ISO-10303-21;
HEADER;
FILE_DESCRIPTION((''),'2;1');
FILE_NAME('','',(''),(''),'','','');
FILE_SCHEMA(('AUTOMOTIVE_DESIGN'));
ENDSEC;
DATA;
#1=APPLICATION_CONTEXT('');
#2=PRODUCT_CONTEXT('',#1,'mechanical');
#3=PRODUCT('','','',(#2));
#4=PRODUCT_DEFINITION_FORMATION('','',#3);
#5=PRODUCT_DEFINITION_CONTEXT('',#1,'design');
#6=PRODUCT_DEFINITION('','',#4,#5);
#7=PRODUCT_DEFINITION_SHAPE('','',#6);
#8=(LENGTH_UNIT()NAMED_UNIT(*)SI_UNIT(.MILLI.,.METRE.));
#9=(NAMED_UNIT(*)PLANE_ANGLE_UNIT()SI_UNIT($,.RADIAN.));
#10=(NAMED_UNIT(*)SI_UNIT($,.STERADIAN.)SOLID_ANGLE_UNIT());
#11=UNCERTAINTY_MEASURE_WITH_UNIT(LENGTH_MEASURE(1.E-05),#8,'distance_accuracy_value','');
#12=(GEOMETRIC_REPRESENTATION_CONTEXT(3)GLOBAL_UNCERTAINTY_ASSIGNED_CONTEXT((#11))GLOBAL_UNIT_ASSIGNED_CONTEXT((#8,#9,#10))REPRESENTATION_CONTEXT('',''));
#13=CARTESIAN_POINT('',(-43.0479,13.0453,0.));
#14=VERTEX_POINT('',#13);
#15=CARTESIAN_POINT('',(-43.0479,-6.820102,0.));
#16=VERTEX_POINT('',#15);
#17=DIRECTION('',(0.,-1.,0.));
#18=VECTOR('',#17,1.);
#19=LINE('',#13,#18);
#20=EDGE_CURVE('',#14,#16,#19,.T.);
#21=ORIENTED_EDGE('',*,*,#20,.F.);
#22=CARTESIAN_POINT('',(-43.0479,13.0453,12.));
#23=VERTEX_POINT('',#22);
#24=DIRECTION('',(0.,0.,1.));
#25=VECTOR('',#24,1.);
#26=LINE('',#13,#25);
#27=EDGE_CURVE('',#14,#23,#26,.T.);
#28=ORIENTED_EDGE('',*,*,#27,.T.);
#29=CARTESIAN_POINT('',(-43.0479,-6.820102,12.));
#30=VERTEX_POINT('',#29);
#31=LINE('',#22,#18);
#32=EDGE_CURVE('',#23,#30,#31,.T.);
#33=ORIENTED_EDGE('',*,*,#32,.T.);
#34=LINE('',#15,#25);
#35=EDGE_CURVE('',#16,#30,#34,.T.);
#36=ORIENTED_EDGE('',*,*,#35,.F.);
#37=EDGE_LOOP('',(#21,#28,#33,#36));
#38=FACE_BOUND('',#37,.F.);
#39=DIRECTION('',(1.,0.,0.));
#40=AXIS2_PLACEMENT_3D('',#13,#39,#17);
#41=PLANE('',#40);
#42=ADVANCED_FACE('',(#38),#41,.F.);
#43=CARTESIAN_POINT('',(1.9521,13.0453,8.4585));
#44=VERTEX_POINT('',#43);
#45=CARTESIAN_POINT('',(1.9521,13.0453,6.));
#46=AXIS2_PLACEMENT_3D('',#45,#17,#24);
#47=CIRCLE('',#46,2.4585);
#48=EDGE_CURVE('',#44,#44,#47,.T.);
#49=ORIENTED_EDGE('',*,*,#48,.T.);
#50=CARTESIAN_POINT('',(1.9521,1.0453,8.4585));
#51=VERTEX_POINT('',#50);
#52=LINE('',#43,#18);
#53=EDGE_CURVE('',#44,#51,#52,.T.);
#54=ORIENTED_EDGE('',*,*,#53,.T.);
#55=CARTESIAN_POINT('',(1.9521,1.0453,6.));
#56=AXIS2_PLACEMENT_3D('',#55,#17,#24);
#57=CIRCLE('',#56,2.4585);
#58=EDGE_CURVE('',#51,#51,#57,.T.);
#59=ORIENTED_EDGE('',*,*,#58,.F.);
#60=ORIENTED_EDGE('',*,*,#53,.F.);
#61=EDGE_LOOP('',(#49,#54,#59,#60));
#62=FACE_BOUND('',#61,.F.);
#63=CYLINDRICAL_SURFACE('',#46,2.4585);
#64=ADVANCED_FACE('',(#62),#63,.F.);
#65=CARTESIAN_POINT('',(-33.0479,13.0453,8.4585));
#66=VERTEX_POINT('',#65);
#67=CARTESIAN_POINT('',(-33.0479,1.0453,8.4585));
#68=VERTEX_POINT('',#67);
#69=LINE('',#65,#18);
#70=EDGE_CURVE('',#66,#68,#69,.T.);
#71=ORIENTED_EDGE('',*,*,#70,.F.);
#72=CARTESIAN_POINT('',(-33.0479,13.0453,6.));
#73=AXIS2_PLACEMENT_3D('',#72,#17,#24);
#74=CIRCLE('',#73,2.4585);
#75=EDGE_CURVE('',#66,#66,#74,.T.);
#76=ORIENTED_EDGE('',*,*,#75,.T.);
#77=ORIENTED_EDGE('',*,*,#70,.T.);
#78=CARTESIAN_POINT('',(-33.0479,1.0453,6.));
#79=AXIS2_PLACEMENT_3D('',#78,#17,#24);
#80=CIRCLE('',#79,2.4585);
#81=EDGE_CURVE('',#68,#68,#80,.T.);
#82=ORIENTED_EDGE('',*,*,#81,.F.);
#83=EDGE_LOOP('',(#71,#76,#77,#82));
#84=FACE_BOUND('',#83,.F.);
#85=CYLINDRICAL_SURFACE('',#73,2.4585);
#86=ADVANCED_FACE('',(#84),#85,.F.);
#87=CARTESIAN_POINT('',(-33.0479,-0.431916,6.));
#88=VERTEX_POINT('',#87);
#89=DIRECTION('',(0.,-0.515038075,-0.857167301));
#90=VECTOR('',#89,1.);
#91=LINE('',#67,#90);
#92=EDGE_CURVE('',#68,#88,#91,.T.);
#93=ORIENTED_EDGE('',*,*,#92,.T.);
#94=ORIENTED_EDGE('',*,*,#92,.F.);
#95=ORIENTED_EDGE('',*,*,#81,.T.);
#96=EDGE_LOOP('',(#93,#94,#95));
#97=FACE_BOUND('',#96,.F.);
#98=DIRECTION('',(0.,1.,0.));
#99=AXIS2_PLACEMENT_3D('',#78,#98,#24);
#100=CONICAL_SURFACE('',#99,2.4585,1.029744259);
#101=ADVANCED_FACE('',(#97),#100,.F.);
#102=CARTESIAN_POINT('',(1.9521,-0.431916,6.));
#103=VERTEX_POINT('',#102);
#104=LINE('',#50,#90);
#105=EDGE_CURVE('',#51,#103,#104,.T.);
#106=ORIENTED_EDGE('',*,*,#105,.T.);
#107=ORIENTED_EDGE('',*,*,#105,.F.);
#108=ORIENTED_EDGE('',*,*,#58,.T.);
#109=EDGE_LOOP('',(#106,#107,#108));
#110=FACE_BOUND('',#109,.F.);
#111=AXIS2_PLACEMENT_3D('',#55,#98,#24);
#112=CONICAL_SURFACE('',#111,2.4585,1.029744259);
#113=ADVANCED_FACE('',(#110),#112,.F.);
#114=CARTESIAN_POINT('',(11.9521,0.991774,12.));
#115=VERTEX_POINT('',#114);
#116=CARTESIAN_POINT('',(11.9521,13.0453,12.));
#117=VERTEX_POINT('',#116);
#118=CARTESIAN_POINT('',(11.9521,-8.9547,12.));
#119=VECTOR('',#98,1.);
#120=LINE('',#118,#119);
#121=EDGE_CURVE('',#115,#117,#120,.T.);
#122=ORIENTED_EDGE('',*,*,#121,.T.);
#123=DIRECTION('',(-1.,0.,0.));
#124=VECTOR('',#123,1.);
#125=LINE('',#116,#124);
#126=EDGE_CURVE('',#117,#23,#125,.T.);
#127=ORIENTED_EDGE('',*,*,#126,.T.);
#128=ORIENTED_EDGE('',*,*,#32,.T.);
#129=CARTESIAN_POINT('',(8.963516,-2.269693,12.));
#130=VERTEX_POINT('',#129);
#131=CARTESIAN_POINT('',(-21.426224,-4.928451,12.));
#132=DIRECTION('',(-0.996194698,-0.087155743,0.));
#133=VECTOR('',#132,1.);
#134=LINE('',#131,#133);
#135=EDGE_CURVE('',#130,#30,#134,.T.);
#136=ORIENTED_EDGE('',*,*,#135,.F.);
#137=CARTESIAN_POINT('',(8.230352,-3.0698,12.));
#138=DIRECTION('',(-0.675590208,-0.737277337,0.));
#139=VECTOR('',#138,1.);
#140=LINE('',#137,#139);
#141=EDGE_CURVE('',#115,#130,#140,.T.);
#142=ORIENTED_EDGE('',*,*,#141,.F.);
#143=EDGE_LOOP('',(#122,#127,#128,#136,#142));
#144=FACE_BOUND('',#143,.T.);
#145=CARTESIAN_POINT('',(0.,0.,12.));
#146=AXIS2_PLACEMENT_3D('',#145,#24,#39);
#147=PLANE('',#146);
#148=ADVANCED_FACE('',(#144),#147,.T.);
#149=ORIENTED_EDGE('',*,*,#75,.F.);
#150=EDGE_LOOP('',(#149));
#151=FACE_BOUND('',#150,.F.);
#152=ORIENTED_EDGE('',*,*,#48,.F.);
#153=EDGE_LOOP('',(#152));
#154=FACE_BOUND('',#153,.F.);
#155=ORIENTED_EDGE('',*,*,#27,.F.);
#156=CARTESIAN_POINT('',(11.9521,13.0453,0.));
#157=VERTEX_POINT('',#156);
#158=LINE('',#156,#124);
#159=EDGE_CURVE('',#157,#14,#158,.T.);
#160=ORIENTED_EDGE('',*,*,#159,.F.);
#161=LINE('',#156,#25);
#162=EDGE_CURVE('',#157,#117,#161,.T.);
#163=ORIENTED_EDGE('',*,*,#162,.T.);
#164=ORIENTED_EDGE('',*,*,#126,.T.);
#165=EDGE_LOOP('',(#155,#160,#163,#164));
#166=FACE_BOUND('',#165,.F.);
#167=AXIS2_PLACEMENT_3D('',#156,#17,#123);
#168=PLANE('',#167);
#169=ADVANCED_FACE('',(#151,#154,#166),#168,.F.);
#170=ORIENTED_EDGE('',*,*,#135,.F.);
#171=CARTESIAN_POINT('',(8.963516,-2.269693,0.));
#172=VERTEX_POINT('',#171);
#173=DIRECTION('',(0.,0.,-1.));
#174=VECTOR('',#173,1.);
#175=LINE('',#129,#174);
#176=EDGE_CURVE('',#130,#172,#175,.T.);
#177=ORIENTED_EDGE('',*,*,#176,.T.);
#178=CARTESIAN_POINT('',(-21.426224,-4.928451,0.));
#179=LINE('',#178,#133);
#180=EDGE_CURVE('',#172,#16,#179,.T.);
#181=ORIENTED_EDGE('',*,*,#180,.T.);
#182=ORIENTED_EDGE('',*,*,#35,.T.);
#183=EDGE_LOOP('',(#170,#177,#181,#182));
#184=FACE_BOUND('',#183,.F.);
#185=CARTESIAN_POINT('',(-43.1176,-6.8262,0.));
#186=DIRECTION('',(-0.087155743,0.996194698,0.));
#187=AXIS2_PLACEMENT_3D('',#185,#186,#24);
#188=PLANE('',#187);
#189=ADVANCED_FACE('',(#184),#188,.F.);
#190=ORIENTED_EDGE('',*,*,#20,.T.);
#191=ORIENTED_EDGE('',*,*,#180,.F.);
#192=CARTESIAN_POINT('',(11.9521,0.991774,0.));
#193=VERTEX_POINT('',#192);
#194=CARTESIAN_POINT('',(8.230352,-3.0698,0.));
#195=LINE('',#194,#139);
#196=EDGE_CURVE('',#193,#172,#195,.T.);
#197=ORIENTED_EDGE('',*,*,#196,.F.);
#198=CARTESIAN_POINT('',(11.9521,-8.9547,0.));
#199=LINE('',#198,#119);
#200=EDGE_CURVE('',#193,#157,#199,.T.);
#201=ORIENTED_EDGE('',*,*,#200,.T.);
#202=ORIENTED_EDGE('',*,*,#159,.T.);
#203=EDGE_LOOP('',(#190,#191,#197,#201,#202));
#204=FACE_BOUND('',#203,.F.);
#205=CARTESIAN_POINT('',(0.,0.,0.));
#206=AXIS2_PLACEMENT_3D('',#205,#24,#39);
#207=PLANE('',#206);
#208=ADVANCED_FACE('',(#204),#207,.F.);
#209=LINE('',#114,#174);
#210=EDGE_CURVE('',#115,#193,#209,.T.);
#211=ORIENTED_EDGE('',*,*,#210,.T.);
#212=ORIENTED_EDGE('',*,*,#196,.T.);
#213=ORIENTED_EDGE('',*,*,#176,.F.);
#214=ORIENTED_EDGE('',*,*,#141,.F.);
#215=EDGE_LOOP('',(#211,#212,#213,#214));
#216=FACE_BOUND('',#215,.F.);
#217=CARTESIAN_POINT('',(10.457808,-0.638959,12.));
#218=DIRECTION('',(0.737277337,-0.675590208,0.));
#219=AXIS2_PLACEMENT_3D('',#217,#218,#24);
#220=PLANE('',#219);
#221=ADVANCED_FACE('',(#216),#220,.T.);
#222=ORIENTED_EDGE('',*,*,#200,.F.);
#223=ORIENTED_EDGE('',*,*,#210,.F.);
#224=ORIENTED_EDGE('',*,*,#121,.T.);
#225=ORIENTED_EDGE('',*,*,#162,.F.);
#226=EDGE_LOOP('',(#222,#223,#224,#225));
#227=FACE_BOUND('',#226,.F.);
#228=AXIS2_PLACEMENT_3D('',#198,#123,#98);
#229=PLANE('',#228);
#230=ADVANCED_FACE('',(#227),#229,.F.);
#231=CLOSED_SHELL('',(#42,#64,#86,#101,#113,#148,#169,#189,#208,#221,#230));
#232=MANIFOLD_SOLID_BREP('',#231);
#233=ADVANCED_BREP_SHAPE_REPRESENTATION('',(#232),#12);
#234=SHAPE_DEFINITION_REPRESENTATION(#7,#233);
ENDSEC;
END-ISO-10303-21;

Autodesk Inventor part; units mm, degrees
ref_plane "YZ Plane" through (0, 0, 0) normal (1, 0, 0) x (0, 1, 0)
sketch "スケッチ2" plane through (0, 0, 0) normal (0, 0, 1) x (1, 0, 0)
  line L0 (-43.0479, 13.0453) -> (-43.0479, -8.9547)
  line L1 (-43.0479, -8.9547) -> (11.9521, -8.9547)
  line L2 (11.9521, -8.9547) -> (11.9521, 13.0453)
  line L3 (11.9521, 13.0453) -> (-43.0479, 13.0453)
  point P0 (0, 0)
  dimension "d3" = 55
  dimension "d16" = 22
extrude "押し出し2" add sketch "スケッチ2" along normal blind 12
sketch "スケッチ4" plane through (-43.0479, 13.0453, 0) normal (0, 1, 0) x (1, 0, 0)
  line L0 (55, 0) -> (55, -12) projected
  line L1 (0, 0) -> (0, -12) projected
  line L2 (0, -6) -> (55, -6)
  line L3 (0, -12) -> (55, -12) projected
  line L4 (0, 0) -> (55, 0) projected
  point P0 (10, -6)
  point P1 (45, -6)
  dimension "d17" = 10
  dimension "d18" = 35
hole "穴2" at (-33.0479, 13.0453, 6) at (1.9521, 13.0453, 6) direction (0, -1, 0) diameter 4.917 depth 12 tip angle 118 thread size "M6x1" class "6H" standard "ISO Metric profile"
ref_plane "IN" through (-43.0479, -7.6232, 0) normal (-0.0872, 0.9962, 0) x (0, 0, 1)
ref_plane "OUT" through (-43.1176, -6.8262, 0) normal (-0.0872, 0.9962, 0) x (0, 0, 1)
sketch "スケッチ6" plane through (-43.1176, -6.8262, 0) normal (-0.0872, 0.9962, 0) x (0, 0, 1)
  line L0 (15.0202, 58.9603) -> (-3.3874, 58.9603)
  line L1 (-3.3874, 58.9603) -> (-3.3874, -4.1514)
  line L2 (-3.3874, -4.1514) -> (15.0202, -4.1514)
  line L3 (15.0202, -4.1514) -> (15.0202, 58.9603)
extrude "押し出し4" cut sketch "スケッチ6" against normal through all
chamfer "面取り1" distance 3 angle 45 1 edges at (11.9521, -2.0083, 6)
properties part number "100014" material "STEEL - HIGH GRADE ALLOY, BLACK OXIDE FINISH"
